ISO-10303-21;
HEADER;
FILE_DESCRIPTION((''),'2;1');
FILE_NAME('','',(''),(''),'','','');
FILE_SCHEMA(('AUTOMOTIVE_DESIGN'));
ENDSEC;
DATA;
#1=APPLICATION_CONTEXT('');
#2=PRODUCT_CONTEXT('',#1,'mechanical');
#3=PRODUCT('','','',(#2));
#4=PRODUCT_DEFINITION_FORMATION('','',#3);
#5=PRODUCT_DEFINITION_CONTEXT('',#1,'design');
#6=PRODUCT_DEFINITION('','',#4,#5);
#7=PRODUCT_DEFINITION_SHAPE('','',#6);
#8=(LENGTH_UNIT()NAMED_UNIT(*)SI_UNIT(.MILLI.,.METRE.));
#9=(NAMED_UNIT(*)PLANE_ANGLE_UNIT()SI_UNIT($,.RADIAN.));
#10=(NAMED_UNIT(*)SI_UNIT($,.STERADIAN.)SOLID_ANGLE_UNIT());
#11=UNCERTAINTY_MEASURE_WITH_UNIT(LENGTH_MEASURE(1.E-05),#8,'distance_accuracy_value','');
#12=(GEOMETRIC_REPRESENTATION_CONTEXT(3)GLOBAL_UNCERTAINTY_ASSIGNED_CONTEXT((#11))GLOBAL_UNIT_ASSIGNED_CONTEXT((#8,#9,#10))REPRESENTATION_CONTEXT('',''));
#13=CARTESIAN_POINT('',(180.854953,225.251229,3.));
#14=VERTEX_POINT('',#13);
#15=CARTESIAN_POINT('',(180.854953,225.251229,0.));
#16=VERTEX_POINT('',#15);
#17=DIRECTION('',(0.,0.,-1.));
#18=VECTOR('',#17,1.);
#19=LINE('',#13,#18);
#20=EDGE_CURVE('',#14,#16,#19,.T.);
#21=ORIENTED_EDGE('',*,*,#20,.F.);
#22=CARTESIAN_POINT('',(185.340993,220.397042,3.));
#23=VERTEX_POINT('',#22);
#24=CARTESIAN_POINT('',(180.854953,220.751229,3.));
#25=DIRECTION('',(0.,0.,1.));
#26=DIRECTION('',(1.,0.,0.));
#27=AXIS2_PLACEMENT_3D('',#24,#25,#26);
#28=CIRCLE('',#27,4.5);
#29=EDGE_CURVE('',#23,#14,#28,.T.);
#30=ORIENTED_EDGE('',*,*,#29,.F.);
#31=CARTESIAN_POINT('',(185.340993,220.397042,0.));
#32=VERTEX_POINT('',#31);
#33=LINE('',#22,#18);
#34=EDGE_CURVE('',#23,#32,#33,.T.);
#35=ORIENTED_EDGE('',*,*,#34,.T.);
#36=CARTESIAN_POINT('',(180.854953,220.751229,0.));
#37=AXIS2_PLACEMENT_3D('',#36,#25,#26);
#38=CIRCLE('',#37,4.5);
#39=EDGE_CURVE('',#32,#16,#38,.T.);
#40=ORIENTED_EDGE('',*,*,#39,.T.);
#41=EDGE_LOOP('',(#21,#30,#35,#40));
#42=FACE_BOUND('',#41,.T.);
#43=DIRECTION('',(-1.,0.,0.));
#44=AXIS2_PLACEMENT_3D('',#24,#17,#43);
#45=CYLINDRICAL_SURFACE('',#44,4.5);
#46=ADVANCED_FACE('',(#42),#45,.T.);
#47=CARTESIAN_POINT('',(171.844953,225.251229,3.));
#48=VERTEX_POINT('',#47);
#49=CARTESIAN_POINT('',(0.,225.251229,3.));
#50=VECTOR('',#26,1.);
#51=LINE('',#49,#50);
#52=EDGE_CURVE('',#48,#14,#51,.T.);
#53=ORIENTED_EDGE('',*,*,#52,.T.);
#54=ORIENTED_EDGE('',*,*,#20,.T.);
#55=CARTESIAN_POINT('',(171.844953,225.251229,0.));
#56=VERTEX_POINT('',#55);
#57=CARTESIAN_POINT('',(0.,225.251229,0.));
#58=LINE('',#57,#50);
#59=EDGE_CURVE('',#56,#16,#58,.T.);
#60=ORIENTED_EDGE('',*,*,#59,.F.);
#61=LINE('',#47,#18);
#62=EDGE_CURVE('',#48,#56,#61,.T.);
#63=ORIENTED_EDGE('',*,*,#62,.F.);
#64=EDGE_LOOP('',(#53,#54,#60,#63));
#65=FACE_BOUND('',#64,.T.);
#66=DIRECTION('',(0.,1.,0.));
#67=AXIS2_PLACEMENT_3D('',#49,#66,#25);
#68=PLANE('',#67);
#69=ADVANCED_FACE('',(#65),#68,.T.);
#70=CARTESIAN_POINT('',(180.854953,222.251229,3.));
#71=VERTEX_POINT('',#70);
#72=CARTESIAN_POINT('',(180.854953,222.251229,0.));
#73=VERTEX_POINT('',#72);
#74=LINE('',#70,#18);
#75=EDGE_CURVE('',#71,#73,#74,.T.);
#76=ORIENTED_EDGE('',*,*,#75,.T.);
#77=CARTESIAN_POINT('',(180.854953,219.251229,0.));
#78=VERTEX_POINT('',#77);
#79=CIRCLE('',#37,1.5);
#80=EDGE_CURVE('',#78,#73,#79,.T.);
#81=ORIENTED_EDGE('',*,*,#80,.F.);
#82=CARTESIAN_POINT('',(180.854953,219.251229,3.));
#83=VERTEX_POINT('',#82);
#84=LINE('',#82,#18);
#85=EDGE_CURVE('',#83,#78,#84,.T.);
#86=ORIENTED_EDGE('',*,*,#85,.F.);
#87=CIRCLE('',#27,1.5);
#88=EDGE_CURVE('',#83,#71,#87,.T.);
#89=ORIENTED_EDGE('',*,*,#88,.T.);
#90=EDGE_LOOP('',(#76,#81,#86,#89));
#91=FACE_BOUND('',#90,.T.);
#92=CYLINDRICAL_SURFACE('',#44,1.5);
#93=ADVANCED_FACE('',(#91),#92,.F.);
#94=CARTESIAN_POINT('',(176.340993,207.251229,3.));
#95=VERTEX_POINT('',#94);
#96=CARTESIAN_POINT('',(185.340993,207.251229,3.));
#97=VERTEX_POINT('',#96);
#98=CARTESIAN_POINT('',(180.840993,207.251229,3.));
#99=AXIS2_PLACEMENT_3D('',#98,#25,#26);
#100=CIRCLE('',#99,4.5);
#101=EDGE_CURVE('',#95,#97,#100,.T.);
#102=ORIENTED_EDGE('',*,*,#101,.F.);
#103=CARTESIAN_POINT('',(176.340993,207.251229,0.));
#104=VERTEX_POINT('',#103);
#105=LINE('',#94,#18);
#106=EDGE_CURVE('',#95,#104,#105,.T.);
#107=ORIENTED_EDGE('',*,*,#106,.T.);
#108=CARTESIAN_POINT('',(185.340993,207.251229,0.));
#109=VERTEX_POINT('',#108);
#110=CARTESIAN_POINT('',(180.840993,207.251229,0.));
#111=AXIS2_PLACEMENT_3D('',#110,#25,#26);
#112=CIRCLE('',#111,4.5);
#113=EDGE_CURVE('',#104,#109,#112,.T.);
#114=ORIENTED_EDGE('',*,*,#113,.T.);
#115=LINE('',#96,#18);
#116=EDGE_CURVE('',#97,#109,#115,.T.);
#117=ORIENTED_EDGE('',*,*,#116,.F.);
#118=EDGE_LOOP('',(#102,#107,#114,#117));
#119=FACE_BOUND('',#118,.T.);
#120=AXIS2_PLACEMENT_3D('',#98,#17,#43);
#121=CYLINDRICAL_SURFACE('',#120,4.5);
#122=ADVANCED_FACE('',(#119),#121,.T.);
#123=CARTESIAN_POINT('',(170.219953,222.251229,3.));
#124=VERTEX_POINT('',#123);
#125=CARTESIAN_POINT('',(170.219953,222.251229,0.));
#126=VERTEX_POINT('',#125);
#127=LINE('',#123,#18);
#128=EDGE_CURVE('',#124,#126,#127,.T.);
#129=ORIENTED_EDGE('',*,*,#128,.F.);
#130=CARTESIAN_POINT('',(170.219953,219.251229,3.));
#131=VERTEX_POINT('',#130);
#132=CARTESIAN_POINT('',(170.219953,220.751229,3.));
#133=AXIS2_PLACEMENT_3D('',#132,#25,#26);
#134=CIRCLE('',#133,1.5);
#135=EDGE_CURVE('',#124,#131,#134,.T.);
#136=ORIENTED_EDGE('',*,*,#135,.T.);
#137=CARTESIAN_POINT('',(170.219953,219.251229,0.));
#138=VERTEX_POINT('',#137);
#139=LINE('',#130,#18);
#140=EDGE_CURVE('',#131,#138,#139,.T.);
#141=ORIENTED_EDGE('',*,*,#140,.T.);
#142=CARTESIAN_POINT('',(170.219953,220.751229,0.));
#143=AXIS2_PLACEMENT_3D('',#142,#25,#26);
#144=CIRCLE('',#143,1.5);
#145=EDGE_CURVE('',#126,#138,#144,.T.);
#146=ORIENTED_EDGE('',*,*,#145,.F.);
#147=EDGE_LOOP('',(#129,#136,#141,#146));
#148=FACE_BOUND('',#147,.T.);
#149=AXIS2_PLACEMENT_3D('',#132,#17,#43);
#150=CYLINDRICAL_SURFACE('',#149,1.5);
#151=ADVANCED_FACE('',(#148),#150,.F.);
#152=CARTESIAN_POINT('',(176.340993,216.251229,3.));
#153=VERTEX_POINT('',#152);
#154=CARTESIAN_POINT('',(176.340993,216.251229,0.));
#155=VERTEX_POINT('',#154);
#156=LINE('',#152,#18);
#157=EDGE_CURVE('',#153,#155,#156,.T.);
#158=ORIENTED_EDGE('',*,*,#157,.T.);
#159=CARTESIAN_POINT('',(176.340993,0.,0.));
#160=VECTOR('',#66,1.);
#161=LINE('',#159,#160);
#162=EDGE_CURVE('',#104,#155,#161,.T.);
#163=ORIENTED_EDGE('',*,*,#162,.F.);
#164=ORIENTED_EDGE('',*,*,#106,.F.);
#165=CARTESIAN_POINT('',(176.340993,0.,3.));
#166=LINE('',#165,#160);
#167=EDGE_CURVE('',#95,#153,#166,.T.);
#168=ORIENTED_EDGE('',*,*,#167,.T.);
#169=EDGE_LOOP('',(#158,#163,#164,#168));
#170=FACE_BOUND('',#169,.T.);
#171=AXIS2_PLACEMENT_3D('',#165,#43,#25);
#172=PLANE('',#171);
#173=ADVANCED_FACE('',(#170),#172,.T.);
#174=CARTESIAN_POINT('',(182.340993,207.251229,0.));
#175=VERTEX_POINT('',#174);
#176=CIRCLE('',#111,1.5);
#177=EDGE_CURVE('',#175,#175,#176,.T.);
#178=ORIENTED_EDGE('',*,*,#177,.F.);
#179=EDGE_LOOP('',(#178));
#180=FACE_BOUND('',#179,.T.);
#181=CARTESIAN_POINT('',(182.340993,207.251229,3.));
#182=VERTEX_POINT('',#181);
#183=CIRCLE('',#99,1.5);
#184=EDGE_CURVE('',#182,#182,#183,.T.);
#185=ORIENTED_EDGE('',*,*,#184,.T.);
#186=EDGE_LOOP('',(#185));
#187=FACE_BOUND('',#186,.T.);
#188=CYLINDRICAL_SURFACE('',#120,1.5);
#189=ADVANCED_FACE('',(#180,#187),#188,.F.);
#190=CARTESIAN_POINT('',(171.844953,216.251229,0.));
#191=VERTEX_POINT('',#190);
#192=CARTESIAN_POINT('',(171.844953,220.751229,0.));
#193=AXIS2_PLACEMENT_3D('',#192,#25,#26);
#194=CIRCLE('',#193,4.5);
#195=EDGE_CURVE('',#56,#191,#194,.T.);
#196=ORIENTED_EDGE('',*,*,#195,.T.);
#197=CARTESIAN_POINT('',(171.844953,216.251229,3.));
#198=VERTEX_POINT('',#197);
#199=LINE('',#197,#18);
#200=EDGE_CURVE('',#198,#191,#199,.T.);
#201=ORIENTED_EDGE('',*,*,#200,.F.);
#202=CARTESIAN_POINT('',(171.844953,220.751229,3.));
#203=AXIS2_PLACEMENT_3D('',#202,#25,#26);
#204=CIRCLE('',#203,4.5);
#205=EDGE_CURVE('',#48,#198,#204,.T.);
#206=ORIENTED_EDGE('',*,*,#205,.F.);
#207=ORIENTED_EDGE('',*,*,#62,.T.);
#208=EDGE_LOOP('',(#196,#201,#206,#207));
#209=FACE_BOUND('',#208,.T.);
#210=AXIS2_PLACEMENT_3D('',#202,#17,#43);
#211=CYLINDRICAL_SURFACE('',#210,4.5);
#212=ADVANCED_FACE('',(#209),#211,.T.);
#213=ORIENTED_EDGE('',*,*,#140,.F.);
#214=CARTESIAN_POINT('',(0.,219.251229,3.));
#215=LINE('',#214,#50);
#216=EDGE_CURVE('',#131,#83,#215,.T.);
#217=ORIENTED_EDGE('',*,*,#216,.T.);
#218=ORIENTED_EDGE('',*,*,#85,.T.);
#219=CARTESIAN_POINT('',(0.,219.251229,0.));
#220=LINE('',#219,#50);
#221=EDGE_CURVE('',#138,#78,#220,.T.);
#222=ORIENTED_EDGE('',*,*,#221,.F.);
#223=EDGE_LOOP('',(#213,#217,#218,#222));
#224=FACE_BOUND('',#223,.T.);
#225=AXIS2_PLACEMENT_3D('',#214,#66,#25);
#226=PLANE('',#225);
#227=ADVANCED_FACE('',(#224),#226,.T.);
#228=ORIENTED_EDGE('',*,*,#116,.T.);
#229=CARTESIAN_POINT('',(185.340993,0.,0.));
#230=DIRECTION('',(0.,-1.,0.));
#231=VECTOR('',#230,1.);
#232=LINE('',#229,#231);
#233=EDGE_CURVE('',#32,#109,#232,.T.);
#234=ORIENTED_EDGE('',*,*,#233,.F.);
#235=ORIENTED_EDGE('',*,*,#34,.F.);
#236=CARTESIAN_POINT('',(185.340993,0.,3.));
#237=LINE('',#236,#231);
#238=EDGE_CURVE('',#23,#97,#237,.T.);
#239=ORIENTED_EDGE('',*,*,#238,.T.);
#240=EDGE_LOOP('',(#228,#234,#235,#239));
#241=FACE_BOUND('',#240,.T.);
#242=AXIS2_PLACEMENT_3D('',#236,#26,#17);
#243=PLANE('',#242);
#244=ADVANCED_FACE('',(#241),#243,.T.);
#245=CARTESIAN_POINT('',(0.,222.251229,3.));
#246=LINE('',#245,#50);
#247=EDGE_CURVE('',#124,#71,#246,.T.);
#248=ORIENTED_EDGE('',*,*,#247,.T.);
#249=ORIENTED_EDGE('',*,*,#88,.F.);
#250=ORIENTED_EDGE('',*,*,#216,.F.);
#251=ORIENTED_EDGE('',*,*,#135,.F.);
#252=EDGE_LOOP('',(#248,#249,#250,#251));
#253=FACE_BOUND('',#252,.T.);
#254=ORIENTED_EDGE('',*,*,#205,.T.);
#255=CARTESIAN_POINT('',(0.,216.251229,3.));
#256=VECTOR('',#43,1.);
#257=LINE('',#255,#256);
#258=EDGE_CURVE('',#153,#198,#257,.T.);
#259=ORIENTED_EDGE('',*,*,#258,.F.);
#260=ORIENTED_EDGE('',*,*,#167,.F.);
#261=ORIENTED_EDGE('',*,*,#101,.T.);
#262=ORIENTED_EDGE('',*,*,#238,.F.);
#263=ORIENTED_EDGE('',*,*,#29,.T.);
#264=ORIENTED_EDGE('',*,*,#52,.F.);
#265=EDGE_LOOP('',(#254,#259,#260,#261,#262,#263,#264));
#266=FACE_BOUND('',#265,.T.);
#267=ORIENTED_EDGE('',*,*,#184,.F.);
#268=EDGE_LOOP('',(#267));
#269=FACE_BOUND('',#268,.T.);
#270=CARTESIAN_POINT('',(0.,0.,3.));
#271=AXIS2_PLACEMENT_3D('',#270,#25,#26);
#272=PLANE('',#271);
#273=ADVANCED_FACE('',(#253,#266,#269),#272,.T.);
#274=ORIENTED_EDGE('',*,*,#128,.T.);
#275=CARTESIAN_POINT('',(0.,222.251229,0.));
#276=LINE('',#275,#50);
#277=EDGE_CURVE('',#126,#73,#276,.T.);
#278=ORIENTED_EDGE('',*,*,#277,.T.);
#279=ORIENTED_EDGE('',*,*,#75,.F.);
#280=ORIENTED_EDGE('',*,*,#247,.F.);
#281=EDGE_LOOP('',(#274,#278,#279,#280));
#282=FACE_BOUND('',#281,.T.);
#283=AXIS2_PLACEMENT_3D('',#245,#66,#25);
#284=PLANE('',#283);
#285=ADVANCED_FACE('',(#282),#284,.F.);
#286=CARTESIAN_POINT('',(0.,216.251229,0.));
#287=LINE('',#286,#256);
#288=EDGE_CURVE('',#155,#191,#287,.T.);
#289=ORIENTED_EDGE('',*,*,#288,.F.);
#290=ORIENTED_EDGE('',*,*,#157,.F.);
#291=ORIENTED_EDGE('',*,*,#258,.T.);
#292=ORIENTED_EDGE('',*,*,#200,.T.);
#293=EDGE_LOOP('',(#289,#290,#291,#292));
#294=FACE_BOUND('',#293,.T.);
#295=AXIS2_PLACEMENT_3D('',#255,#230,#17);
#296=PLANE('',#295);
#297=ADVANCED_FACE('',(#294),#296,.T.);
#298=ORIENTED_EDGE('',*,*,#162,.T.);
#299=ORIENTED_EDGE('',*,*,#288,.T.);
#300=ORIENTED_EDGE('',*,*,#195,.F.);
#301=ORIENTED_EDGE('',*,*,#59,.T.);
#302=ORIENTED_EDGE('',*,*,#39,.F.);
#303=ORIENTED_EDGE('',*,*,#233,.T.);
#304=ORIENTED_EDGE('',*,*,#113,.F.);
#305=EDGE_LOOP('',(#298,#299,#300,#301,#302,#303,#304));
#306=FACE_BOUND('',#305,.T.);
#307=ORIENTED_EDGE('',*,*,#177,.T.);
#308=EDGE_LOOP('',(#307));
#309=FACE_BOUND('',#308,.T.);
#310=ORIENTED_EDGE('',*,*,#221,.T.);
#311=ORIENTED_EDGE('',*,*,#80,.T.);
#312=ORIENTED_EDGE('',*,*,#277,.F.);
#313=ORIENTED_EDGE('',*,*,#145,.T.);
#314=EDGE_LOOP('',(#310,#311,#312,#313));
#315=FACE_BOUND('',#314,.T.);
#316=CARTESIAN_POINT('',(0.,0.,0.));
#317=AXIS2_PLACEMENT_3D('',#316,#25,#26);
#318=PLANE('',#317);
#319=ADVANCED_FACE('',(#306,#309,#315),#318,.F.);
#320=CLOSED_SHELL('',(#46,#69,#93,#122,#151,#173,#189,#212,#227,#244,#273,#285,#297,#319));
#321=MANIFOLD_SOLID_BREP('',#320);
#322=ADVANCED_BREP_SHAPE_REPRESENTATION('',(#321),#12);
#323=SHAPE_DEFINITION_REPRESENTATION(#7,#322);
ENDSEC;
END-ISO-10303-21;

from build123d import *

# Parameters (mm, degrees)
MODEL_R                 = 1.5
SALIENTE_EXTRUIR1_DEPTH = 3


with BuildPart() as part:
    # Model → Saliente-Extruir1 (new body)
    with BuildSketch(Plane.XY):
        with BuildLine():
            Line((185.340992888, 207.251228653), (185.340992888, 220.397042101))
            ThreePointArc((185.340992888, 220.397042101), (184.159786007, 223.805419259), (180.854953221, 225.251228653))
            Line((180.854953221, 225.251228653), (171.844953221, 225.251228653))
            ThreePointArc((171.844953221, 225.251228653), (167.344953221, 220.751228653), (171.844953221, 216.251228653))
            Line((171.844953221, 216.251228653), (176.340992888, 216.251228653))
            Line((176.340992888, 216.251228653), (176.340992888, 207.251228653))
            ThreePointArc((176.340992888, 207.251228653), (180.840992888, 202.751228653), (185.340992888, 207.251228653))
        make_face()
        with Locations((180.840992888, 207.251228653)):
            Circle(MODEL_R, mode=Mode.SUBTRACT)
        with BuildLine():
            ThreePointArc((170.219953221, 219.251228653), (168.719953221, 220.751228653), (170.219953221, 222.251228653))
            Line((170.219953221, 222.251228653), (180.854953221, 222.251228653))
            ThreePointArc((180.854953221, 222.251228653), (182.354953221, 220.751228653), (180.854953221, 219.251228653))
            Line((180.854953221, 219.251228653), (170.219953221, 219.251228653))
        make_face(mode=Mode.SUBTRACT)
    extrude(amount=SALIENTE_EXTRUIR1_DEPTH)


solid = part.part
